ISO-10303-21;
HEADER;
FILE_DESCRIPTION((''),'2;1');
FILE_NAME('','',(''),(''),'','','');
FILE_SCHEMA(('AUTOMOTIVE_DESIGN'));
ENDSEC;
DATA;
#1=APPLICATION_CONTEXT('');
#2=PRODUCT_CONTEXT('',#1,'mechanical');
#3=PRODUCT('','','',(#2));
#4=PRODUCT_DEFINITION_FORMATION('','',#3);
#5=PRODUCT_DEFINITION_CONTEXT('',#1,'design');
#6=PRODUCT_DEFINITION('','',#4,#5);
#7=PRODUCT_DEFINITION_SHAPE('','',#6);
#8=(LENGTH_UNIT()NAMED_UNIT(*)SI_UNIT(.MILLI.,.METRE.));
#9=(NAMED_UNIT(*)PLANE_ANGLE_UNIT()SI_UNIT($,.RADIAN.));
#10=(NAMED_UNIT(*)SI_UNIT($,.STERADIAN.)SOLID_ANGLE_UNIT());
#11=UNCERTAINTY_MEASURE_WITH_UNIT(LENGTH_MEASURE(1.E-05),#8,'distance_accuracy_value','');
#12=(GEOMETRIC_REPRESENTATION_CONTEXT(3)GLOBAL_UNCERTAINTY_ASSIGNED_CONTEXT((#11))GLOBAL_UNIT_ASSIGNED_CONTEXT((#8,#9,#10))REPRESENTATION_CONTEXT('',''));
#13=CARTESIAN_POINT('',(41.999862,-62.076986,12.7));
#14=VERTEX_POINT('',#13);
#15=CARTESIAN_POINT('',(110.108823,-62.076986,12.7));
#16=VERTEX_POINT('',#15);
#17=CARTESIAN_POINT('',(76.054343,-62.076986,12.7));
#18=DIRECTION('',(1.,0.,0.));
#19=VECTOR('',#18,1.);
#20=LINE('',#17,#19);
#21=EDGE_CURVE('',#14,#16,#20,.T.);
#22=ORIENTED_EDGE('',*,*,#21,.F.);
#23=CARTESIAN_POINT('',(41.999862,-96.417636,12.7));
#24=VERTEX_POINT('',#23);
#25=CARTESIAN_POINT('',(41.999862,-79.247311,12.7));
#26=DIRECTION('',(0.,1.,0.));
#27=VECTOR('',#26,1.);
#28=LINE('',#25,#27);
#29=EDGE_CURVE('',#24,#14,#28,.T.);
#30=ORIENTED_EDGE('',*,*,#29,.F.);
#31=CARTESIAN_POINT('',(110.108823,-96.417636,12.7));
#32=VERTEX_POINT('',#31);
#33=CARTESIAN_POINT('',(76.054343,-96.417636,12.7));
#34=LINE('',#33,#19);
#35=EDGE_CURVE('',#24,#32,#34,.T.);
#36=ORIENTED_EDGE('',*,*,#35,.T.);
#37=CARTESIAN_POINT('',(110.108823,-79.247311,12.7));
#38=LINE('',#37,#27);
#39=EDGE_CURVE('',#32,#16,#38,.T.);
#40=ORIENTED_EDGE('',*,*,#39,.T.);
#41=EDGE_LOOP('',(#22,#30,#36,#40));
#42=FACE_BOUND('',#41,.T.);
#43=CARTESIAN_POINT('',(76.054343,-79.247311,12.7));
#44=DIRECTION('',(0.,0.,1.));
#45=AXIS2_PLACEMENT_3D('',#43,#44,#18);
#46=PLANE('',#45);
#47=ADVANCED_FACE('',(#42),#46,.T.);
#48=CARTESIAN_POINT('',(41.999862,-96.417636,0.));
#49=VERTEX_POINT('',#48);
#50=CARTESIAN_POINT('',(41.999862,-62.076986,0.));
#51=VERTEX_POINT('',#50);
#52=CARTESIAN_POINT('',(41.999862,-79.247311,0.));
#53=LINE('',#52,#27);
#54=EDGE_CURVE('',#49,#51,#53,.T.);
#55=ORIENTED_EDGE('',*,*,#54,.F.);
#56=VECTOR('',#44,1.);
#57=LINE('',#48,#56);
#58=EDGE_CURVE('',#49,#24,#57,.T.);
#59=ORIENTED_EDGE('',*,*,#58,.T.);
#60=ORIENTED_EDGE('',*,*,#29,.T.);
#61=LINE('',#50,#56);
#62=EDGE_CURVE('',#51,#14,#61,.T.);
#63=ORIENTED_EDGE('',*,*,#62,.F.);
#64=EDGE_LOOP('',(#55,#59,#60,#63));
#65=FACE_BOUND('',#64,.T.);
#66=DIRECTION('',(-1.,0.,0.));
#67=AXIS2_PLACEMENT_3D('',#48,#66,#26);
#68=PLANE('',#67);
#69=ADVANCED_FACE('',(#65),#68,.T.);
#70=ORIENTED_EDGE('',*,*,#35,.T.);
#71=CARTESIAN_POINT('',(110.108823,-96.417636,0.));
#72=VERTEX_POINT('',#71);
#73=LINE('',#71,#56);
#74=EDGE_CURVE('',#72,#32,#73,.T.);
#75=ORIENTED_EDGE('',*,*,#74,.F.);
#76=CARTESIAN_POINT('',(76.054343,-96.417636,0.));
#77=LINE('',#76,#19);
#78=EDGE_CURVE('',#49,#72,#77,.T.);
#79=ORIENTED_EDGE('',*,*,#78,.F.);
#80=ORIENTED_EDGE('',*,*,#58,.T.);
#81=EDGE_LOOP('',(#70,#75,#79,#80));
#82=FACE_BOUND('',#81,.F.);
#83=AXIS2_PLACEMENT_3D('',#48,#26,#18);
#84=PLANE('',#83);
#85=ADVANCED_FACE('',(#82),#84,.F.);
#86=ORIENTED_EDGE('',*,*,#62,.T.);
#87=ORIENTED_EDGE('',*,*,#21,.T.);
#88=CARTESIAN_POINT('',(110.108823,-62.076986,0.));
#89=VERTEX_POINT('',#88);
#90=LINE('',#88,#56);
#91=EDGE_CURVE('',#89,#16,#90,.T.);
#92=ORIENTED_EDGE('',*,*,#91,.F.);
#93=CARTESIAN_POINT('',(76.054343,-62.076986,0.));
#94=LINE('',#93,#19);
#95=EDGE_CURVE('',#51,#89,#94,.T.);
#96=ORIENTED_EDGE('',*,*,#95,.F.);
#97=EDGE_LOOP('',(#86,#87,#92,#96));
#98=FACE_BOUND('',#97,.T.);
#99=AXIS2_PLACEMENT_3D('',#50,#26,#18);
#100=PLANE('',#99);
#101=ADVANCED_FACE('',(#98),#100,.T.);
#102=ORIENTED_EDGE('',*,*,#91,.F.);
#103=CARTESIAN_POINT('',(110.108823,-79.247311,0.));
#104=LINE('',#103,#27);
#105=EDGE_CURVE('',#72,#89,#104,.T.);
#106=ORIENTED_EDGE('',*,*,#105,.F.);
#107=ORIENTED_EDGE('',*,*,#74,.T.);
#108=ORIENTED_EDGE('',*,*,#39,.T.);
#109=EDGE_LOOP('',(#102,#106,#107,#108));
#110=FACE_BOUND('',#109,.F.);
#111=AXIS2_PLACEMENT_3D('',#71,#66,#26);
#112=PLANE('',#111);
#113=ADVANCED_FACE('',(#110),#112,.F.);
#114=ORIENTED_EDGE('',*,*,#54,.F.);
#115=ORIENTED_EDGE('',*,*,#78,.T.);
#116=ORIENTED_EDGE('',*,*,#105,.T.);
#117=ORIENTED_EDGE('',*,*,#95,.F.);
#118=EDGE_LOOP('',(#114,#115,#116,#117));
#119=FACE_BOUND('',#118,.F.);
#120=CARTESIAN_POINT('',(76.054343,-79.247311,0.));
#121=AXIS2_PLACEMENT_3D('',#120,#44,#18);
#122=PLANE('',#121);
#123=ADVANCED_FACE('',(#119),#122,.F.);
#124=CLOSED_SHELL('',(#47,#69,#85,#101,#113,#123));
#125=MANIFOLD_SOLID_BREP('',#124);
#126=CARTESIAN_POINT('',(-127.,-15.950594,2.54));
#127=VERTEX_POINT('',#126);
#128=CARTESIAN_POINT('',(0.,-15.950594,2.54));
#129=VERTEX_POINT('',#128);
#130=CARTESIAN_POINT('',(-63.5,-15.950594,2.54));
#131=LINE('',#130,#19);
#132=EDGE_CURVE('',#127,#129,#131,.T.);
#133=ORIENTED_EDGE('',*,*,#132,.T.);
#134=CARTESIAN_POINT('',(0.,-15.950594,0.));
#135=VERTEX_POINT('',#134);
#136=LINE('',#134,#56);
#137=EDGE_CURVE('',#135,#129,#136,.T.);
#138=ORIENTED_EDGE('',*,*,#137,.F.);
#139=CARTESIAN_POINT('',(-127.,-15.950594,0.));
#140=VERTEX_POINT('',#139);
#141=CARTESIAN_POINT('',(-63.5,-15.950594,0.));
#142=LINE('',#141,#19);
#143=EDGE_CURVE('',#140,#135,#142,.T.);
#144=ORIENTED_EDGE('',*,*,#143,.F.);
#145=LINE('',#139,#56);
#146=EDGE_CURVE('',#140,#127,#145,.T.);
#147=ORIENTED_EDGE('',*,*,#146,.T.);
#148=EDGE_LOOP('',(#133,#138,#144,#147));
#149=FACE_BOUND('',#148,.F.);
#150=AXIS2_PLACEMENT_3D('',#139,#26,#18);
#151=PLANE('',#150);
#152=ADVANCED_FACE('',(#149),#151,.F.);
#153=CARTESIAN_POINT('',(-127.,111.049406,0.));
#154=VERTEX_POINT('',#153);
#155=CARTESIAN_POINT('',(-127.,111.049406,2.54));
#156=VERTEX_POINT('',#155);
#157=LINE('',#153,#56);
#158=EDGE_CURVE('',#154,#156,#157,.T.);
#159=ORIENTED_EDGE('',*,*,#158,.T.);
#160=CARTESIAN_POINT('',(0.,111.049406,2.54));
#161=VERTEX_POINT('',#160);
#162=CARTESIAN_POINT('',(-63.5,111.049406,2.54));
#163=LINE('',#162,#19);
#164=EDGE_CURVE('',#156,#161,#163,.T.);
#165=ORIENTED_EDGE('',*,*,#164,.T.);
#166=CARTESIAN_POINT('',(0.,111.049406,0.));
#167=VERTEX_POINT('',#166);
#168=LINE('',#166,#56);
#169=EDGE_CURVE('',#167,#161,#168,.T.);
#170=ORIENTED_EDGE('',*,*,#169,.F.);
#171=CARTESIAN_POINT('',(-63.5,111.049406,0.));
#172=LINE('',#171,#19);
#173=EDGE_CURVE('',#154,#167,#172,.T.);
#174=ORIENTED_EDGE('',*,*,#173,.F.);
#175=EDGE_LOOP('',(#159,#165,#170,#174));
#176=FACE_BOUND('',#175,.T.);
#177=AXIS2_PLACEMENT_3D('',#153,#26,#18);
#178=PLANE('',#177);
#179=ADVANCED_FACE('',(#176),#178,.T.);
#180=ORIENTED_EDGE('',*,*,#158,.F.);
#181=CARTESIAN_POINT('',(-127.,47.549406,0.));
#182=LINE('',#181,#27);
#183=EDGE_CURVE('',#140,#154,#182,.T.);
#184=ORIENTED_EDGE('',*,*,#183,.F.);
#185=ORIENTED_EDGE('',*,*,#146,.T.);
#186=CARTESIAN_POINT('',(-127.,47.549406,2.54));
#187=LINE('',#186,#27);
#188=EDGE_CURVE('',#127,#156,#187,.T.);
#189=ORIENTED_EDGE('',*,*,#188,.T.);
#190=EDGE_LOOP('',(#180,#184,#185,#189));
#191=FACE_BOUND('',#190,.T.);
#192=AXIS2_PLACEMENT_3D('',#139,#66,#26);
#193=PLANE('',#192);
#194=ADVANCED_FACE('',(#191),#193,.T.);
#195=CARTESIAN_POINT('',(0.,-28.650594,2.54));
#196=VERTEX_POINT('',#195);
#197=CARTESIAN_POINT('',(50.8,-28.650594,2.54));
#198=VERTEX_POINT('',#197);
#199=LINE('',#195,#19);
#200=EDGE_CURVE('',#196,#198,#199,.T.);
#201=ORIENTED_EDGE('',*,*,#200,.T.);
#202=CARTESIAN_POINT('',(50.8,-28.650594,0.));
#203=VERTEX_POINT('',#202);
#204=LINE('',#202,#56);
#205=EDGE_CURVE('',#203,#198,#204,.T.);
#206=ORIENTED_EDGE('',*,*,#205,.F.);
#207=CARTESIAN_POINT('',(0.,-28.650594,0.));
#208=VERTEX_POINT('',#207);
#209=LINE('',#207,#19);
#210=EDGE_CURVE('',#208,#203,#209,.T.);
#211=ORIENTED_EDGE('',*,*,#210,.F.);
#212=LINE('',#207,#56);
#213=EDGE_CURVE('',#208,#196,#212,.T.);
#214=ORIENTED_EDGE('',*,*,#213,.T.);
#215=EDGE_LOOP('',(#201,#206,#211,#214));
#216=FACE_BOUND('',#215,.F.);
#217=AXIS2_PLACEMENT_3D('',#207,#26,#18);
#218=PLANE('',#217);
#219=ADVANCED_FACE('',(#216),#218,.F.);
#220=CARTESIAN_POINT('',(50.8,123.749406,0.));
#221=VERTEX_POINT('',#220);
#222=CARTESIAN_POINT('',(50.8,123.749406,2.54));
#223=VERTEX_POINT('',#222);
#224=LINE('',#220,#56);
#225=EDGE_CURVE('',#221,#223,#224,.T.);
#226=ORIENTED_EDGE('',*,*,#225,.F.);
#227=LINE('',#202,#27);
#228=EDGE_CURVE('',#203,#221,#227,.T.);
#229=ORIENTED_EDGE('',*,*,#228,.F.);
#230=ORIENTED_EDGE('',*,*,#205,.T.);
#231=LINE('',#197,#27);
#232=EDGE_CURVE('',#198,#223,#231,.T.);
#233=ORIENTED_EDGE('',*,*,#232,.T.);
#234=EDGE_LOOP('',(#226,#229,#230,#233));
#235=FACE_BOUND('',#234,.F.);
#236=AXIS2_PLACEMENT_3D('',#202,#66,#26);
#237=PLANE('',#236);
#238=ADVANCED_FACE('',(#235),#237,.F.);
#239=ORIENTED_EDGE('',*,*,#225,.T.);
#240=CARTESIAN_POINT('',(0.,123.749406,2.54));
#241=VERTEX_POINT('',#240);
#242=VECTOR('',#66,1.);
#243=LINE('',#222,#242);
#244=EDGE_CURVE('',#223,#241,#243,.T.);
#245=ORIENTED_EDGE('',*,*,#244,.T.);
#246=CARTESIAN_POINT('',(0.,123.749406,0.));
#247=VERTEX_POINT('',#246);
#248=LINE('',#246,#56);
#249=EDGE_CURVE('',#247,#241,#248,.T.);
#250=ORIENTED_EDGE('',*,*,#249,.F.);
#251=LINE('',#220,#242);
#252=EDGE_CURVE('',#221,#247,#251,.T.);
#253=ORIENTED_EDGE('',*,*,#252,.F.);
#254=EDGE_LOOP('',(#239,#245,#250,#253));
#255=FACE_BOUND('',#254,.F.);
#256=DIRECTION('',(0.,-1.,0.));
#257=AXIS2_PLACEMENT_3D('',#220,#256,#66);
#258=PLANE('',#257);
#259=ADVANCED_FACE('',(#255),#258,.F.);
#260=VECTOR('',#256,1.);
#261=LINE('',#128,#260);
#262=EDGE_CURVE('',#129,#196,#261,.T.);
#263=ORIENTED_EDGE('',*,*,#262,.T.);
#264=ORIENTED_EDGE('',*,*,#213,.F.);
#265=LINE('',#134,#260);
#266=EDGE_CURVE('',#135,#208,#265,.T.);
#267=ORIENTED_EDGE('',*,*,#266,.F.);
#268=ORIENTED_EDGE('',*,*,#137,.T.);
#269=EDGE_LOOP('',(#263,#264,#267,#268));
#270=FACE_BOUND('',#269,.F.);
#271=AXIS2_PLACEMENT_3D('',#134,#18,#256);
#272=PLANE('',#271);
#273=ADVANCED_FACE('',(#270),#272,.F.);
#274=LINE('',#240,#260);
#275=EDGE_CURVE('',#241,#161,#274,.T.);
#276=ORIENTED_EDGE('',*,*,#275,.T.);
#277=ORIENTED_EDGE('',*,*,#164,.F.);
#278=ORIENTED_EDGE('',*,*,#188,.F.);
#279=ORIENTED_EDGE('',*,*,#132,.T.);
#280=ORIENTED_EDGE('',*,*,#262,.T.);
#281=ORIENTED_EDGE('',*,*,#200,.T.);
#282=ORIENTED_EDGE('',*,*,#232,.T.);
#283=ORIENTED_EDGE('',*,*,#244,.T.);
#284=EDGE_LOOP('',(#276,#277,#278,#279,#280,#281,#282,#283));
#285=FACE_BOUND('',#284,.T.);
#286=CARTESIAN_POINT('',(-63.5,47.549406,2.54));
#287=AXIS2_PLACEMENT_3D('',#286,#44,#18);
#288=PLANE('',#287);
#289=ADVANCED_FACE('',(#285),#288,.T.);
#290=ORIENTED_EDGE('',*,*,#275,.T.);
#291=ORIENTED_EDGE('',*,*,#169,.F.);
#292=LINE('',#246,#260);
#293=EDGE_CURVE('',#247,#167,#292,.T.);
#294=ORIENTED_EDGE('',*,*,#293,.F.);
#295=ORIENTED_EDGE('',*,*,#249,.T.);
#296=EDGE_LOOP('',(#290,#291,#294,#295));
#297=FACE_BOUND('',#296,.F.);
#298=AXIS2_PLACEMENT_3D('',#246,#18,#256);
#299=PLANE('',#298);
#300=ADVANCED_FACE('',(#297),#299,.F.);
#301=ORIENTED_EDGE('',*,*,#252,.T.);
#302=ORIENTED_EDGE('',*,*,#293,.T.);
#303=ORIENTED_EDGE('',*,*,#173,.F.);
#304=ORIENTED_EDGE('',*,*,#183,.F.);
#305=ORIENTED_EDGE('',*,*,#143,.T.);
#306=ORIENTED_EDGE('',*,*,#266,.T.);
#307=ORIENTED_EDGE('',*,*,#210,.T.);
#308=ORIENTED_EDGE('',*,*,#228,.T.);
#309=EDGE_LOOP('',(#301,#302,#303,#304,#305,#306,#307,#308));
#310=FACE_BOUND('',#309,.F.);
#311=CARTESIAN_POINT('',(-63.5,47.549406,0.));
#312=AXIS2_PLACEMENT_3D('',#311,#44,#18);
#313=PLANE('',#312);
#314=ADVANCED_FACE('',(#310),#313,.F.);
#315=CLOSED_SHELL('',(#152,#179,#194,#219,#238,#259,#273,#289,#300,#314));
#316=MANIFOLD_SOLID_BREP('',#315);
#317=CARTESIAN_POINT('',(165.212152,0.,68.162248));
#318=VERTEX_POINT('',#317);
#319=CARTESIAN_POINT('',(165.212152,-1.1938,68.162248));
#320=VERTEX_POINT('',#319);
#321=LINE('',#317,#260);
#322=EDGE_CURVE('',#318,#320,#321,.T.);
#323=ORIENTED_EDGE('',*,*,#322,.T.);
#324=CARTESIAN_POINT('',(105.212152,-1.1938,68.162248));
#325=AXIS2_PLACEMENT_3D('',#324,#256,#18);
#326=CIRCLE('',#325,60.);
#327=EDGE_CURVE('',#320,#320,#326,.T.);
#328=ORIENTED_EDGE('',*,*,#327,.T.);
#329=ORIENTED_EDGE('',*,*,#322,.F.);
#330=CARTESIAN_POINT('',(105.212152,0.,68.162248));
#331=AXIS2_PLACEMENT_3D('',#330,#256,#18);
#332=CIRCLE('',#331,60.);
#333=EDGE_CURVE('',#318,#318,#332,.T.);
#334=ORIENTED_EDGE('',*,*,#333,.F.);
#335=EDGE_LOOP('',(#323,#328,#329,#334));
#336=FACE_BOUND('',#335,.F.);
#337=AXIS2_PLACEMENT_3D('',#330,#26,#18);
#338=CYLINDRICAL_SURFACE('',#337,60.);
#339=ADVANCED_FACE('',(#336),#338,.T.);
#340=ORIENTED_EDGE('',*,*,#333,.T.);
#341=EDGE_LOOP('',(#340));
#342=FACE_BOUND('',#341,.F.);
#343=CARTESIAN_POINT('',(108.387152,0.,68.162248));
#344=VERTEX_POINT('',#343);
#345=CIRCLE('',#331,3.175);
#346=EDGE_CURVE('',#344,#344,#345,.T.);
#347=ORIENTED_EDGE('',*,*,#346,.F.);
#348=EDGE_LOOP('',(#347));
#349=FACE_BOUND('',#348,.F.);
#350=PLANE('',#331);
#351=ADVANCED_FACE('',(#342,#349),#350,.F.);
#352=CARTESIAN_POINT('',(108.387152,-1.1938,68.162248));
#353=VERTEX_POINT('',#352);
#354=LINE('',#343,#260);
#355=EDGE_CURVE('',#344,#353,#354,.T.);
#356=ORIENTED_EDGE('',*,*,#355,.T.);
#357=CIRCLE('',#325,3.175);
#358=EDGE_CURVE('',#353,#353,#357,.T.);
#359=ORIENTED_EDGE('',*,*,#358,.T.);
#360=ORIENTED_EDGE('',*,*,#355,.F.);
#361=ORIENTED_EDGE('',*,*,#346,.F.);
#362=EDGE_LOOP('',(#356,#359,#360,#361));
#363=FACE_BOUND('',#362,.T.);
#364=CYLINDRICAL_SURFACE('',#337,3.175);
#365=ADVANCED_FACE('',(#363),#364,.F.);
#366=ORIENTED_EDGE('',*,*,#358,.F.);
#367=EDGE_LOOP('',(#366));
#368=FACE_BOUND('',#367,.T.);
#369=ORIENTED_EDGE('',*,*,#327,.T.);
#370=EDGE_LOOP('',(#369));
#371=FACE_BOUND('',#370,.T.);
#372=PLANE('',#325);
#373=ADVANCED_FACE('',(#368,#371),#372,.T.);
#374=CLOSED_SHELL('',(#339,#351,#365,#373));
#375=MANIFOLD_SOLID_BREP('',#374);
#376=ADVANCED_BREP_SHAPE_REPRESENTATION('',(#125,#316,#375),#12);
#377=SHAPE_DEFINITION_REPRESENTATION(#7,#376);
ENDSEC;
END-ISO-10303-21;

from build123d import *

# Parameters (mm, degrees)
F0_W     = 127
F0_H     = 127
F1_DEPTH = 2.54
F2_R     = 60
F2_R_2   = 3.175
F3_DEPTH = 1.1938
F4_W     = 68.108961
F4_H     = 34.34065
F5_DEPTH = 12.7


with BuildPart() as f1:
    # F0 (on Top) → F1 (new body)
    with BuildSketch(Plane.XY):
        with Locations((-63.5, 47.549406)):
            Rectangle(F0_W, F0_H)
        Polygon((0, 123.749406), (0, 111.049406), (0, -15.950594), (0, -28.650594), (50.8, -28.650594), (50.8, 123.749406), align=None)
    extrude(amount=F1_DEPTH)


with BuildPart() as f3:
    # F2 (on Front) → F3 (new body)
    with BuildSketch(Plane.XZ):
        with Locations((105.212152, 68.162248)):
            Circle(F2_R)
        with Locations((105.212152, 68.162248)):
            Circle(F2_R_2, mode=Mode.SUBTRACT)
    extrude(amount=F3_DEPTH)


with BuildPart() as f5:
    # F4 (on Top) → F5 (new body)
    with BuildSketch(Plane.XY):
        with Locations((76.054343, -79.247311)):
            Rectangle(F4_W, F4_H)
    extrude(amount=F5_DEPTH)


solid = Compound([f1.part, f3.part, f5.part])
